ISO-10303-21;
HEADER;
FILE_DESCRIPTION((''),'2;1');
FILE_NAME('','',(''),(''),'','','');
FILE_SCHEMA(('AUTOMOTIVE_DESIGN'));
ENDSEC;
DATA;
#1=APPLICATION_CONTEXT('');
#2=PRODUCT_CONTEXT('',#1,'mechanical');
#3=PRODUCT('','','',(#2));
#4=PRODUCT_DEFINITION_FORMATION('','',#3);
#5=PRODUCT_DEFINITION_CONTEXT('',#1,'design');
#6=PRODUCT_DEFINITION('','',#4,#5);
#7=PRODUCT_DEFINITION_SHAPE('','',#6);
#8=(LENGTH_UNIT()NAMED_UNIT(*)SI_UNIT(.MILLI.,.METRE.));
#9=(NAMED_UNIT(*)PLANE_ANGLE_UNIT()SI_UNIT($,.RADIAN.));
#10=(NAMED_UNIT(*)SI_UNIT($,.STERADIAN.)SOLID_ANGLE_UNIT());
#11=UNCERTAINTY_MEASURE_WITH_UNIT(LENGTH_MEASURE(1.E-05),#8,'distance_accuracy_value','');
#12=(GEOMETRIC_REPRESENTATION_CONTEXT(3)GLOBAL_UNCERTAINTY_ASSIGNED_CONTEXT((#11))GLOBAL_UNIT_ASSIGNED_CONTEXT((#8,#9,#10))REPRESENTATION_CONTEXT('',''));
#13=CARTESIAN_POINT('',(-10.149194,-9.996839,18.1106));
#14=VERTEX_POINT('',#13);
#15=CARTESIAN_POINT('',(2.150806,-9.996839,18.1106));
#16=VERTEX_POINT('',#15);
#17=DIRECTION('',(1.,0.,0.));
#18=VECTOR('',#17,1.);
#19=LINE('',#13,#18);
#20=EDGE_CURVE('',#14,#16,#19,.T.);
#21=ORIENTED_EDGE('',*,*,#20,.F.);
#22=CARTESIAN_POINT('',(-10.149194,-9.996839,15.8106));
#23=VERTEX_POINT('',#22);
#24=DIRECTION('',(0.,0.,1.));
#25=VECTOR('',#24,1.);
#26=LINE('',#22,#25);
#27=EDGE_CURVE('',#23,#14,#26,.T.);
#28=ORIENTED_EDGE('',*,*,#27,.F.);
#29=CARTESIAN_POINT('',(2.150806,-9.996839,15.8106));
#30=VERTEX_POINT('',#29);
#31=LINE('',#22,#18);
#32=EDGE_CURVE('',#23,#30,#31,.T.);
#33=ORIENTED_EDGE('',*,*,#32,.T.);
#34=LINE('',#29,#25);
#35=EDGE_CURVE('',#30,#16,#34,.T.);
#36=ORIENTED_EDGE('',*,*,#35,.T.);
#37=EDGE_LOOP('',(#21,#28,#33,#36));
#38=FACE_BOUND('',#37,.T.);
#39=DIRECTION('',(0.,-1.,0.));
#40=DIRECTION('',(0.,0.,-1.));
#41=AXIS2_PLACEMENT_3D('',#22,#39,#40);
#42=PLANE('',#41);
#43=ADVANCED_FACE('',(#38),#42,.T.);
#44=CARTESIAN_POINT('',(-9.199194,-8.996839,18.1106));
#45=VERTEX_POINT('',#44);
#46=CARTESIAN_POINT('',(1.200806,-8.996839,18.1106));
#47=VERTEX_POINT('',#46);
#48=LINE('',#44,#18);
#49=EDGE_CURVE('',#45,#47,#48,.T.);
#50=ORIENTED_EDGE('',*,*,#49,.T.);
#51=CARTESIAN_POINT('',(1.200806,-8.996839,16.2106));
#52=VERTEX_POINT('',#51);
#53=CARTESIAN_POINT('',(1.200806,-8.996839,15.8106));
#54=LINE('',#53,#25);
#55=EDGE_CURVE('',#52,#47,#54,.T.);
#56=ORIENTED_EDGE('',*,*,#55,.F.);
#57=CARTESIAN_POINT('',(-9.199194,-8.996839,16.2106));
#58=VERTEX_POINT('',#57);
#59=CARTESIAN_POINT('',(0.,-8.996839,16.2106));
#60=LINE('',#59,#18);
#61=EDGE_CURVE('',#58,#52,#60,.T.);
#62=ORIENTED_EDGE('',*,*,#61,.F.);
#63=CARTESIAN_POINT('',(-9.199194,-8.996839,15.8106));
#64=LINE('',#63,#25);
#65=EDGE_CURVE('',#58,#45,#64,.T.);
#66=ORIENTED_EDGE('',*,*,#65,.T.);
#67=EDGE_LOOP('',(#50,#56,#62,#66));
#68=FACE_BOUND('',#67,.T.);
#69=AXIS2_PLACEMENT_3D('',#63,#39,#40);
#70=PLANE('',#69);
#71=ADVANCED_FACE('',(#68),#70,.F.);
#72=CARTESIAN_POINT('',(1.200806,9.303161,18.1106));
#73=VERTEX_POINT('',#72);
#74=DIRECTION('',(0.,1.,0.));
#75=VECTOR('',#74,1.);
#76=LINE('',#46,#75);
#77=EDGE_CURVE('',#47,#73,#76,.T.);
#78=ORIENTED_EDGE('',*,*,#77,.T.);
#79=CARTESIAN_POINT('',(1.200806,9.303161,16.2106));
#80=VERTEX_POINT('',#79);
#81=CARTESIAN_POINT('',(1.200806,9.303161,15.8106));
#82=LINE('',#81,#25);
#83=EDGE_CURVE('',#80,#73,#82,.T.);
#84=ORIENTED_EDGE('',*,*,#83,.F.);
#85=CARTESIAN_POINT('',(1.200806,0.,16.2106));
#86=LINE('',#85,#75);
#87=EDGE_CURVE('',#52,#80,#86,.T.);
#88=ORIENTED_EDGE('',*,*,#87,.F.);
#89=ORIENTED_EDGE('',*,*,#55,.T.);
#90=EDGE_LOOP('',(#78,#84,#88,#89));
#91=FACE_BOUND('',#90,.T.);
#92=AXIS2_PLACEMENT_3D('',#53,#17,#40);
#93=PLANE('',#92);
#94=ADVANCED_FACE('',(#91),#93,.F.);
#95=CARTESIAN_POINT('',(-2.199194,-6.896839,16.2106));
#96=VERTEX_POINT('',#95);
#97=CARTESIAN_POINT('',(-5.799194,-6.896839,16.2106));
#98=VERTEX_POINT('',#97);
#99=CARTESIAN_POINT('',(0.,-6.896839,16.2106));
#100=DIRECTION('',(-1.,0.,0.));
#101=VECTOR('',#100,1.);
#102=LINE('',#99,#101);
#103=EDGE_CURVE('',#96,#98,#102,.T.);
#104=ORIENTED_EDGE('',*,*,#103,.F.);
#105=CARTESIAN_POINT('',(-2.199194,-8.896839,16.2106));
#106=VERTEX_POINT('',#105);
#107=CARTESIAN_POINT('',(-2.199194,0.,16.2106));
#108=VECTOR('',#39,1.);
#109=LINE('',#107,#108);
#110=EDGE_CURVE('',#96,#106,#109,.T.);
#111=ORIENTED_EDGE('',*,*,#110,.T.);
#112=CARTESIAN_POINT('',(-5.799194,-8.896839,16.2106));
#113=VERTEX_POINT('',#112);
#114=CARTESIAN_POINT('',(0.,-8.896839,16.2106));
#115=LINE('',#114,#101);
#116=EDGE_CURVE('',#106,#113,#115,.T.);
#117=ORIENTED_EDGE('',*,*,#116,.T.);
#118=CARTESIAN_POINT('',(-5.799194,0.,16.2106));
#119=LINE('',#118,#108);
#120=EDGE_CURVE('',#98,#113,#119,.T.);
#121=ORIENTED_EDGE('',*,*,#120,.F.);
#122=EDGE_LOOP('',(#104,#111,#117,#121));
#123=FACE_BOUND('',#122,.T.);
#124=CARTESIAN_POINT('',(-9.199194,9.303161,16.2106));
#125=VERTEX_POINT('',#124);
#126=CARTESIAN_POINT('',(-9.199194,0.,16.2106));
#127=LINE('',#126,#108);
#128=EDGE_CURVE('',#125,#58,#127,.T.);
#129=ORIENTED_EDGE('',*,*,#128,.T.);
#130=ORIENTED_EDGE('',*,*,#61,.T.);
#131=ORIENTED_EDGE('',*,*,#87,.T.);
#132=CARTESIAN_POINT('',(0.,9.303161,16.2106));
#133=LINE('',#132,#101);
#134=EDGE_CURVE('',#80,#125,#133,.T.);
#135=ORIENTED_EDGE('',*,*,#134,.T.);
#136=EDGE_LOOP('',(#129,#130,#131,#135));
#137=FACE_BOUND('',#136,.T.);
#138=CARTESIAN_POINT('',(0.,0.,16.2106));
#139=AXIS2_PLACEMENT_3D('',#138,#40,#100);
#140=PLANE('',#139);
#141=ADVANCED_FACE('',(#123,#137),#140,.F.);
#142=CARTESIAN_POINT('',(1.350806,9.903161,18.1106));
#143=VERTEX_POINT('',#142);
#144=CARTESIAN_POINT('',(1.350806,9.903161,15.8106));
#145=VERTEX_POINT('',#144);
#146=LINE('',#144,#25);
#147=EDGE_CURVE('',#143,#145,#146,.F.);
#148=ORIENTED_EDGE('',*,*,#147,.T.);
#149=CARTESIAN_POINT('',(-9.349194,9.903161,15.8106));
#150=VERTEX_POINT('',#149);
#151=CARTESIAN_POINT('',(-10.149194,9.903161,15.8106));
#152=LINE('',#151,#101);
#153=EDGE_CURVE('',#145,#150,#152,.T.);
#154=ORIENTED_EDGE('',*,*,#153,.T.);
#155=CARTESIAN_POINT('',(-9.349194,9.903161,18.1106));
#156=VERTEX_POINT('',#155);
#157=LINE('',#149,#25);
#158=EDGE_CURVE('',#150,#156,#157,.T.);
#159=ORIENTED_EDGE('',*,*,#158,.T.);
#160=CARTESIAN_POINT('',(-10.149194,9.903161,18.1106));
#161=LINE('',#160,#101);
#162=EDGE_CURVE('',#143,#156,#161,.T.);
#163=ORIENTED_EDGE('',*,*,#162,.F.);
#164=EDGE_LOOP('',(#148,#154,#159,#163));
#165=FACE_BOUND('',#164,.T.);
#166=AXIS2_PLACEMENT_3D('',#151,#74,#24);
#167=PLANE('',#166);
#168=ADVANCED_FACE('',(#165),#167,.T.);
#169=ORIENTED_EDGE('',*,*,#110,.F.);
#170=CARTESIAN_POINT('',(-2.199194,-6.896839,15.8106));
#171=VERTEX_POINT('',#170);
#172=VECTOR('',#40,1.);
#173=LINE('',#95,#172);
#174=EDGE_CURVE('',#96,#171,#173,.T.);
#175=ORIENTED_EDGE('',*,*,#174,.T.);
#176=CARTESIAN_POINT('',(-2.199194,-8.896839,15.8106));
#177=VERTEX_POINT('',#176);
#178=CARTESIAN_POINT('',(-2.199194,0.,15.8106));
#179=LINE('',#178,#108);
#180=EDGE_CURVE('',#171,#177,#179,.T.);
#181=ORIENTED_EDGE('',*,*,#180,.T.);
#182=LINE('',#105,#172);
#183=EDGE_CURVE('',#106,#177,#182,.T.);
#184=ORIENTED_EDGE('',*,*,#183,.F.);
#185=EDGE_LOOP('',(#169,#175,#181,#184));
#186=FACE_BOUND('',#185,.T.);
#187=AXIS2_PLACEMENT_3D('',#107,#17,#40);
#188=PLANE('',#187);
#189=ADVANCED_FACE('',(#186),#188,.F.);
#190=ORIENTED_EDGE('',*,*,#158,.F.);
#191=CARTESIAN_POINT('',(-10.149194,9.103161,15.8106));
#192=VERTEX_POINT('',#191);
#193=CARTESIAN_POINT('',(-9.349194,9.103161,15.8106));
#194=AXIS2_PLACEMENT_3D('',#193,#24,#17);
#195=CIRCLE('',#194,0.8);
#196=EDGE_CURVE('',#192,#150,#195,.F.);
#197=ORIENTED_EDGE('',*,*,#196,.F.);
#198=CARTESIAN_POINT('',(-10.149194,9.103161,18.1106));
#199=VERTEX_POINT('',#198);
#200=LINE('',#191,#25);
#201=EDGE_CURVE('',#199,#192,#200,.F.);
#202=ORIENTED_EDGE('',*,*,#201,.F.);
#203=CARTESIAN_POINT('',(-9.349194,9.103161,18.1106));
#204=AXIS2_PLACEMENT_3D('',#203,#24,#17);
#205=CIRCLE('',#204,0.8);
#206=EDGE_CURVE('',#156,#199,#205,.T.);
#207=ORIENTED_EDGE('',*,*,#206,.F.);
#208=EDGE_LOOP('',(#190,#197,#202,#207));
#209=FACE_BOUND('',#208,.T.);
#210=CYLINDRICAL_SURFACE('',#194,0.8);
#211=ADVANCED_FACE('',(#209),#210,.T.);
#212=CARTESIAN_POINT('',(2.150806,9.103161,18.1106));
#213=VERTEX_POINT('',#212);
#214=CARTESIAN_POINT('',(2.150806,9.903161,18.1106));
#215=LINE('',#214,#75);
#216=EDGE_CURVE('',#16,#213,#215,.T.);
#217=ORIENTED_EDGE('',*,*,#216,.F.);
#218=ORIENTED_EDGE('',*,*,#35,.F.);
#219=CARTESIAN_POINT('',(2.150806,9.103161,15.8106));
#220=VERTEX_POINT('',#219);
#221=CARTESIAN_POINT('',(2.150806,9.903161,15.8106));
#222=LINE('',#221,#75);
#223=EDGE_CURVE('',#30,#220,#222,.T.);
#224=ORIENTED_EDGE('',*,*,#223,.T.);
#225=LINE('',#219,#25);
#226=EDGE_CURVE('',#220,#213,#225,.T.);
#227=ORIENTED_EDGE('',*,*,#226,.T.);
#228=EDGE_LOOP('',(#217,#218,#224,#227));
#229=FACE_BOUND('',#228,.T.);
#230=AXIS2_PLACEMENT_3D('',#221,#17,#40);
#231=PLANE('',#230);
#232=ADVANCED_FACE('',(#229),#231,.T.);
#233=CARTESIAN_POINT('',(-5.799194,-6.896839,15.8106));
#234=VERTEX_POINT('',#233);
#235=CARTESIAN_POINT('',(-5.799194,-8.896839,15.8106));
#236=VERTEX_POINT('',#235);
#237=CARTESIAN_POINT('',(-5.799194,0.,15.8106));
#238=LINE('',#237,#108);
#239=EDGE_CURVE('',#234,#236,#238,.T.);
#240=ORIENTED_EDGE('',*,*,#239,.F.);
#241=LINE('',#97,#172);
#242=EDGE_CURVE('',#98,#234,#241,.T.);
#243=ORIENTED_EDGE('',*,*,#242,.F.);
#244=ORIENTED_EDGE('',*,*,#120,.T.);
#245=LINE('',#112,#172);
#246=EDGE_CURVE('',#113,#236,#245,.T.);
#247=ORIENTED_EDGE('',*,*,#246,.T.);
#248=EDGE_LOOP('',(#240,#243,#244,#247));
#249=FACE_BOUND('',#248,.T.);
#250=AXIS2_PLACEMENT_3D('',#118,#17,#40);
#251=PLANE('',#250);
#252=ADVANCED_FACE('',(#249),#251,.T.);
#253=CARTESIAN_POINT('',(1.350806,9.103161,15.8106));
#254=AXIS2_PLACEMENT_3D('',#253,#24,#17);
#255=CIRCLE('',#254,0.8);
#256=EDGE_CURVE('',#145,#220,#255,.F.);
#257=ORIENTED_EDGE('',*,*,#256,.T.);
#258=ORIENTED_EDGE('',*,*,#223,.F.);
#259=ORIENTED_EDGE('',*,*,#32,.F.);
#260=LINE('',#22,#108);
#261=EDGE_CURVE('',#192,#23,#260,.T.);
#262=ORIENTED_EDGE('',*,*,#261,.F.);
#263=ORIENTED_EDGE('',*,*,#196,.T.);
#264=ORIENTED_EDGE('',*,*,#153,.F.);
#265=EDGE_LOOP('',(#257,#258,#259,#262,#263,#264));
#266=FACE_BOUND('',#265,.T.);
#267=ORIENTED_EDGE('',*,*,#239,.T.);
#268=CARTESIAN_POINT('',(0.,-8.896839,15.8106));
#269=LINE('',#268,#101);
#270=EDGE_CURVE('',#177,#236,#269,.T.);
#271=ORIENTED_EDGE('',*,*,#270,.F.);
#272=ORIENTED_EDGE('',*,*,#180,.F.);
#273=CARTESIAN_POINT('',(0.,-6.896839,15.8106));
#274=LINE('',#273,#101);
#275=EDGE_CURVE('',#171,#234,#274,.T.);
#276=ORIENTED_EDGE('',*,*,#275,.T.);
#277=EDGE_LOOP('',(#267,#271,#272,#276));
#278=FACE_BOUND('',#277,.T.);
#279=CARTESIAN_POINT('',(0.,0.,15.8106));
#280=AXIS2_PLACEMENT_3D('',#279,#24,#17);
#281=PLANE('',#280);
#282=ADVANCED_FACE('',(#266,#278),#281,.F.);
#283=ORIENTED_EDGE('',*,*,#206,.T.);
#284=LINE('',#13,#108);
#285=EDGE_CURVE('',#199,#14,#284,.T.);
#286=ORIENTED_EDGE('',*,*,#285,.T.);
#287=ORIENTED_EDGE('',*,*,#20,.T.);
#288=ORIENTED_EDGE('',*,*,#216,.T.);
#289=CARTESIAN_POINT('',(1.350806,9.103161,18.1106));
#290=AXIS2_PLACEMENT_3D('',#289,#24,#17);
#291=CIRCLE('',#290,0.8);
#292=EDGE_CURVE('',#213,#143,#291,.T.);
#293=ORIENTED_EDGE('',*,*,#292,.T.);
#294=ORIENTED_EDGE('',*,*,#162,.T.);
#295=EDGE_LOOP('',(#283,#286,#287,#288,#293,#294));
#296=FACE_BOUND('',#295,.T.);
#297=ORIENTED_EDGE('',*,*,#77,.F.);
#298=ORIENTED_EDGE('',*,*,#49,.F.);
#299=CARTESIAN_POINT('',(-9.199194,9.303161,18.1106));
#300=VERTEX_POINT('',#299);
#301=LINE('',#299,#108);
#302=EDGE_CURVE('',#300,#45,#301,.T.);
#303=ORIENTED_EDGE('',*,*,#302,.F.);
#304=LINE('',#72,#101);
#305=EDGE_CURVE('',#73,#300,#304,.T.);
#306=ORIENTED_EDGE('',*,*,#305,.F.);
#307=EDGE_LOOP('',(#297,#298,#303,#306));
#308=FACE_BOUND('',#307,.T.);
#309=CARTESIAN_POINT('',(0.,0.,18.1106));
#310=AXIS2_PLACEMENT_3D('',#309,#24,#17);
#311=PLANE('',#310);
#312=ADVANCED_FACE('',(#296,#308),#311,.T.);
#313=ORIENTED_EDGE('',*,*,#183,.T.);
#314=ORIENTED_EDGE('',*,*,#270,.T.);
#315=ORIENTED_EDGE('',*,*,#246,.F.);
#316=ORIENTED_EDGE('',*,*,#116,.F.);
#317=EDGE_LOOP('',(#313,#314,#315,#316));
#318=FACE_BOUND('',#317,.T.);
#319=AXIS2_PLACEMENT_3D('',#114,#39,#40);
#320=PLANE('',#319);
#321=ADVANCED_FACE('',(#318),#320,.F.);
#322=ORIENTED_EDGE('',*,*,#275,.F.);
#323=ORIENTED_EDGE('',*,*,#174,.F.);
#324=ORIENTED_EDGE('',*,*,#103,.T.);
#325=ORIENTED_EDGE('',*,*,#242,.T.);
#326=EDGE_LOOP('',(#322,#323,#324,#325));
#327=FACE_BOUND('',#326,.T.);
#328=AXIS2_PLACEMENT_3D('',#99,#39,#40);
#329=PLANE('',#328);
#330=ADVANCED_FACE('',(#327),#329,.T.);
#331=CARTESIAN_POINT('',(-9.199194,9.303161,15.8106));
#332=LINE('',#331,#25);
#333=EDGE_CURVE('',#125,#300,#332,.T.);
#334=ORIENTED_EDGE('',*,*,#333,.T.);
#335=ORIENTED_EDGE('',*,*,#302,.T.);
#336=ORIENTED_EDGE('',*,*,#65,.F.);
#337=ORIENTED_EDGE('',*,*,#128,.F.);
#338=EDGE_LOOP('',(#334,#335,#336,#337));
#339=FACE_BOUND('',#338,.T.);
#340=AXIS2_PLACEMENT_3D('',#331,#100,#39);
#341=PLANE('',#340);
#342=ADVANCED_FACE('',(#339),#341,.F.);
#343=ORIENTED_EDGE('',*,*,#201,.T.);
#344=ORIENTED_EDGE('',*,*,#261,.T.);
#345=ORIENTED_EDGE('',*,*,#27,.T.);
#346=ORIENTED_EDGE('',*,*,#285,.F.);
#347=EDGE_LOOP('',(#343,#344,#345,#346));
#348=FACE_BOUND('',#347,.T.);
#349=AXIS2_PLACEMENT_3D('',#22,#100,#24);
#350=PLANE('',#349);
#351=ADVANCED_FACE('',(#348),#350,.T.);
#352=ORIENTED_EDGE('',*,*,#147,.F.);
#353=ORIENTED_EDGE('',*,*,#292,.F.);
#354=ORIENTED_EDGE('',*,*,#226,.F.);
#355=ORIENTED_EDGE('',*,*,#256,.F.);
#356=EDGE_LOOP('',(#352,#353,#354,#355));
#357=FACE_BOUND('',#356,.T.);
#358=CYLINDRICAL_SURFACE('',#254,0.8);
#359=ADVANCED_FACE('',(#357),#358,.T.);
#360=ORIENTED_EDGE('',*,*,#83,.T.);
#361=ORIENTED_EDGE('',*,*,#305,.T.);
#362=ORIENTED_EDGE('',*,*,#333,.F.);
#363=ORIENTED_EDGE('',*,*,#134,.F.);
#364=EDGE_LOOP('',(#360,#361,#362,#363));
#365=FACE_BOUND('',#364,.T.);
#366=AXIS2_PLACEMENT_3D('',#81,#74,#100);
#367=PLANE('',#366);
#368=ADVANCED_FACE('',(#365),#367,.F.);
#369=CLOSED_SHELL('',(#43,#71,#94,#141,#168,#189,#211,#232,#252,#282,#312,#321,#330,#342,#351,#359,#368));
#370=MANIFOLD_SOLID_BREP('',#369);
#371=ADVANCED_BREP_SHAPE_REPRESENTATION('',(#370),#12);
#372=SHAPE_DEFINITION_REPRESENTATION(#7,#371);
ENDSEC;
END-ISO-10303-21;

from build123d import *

# Parameters (mm, degrees)
ESQUISSE1_W        = 12.3
ESQUISSE1_H        = 19.9
ESQUISSE1_W_2      = 10.4
ESQUISSE1_H_2      = 18.3
BOSS_EXTRU_1_DEPTH = 2.3
ESQUISSE2_W        = 10.4
ESQUISSE2_H        = 18.3
ESQUISSE2_W_2      = 3.6
ESQUISSE2_H_2      = 2
BOSS_EXTRU_2_DEPTH = 0.4
CONG_1_R           = 0.8


with BuildPart() as part:
    # Esquisse1 → Boss.-Extru.1 (new body)
    with BuildSketch(Plane.XY.offset(18.1106)):
        with Locations((-3.99919357, -0.046839395)):
            Rectangle(ESQUISSE1_W, ESQUISSE1_H)
        with Locations((-3.99919357, 0.153160605)):
            Rectangle(ESQUISSE1_W_2, ESQUISSE1_H_2, mode=Mode.SUBTRACT)
    extrude(amount=-BOSS_EXTRU_1_DEPTH)

    # Esquisse2 → Boss.-Extru.2 (add)
    with BuildSketch(Plane(origin=(0, 0, 15.8106), x_dir=(-1, 0, 0), z_dir=(0, 0, -1))):
        with Locations((3.99919357, 0.153160605)):
            Rectangle(ESQUISSE2_W, ESQUISSE2_H)
        with Locations((3.99919357, -7.896839395)):
            Rectangle(ESQUISSE2_W_2, ESQUISSE2_H_2, mode=Mode.SUBTRACT)
    extrude(amount=-BOSS_EXTRU_2_DEPTH)

    # Congé1
    cong_1_edges = [part.edges().sort_by_distance(p)[0] for p in [
        (-10.14919357, 9.903160605, 16.9606),
        (2.15080643, 9.903160605, 16.9606),
    ]]
    fillet(cong_1_edges, radius=CONG_1_R)


solid = part.part
